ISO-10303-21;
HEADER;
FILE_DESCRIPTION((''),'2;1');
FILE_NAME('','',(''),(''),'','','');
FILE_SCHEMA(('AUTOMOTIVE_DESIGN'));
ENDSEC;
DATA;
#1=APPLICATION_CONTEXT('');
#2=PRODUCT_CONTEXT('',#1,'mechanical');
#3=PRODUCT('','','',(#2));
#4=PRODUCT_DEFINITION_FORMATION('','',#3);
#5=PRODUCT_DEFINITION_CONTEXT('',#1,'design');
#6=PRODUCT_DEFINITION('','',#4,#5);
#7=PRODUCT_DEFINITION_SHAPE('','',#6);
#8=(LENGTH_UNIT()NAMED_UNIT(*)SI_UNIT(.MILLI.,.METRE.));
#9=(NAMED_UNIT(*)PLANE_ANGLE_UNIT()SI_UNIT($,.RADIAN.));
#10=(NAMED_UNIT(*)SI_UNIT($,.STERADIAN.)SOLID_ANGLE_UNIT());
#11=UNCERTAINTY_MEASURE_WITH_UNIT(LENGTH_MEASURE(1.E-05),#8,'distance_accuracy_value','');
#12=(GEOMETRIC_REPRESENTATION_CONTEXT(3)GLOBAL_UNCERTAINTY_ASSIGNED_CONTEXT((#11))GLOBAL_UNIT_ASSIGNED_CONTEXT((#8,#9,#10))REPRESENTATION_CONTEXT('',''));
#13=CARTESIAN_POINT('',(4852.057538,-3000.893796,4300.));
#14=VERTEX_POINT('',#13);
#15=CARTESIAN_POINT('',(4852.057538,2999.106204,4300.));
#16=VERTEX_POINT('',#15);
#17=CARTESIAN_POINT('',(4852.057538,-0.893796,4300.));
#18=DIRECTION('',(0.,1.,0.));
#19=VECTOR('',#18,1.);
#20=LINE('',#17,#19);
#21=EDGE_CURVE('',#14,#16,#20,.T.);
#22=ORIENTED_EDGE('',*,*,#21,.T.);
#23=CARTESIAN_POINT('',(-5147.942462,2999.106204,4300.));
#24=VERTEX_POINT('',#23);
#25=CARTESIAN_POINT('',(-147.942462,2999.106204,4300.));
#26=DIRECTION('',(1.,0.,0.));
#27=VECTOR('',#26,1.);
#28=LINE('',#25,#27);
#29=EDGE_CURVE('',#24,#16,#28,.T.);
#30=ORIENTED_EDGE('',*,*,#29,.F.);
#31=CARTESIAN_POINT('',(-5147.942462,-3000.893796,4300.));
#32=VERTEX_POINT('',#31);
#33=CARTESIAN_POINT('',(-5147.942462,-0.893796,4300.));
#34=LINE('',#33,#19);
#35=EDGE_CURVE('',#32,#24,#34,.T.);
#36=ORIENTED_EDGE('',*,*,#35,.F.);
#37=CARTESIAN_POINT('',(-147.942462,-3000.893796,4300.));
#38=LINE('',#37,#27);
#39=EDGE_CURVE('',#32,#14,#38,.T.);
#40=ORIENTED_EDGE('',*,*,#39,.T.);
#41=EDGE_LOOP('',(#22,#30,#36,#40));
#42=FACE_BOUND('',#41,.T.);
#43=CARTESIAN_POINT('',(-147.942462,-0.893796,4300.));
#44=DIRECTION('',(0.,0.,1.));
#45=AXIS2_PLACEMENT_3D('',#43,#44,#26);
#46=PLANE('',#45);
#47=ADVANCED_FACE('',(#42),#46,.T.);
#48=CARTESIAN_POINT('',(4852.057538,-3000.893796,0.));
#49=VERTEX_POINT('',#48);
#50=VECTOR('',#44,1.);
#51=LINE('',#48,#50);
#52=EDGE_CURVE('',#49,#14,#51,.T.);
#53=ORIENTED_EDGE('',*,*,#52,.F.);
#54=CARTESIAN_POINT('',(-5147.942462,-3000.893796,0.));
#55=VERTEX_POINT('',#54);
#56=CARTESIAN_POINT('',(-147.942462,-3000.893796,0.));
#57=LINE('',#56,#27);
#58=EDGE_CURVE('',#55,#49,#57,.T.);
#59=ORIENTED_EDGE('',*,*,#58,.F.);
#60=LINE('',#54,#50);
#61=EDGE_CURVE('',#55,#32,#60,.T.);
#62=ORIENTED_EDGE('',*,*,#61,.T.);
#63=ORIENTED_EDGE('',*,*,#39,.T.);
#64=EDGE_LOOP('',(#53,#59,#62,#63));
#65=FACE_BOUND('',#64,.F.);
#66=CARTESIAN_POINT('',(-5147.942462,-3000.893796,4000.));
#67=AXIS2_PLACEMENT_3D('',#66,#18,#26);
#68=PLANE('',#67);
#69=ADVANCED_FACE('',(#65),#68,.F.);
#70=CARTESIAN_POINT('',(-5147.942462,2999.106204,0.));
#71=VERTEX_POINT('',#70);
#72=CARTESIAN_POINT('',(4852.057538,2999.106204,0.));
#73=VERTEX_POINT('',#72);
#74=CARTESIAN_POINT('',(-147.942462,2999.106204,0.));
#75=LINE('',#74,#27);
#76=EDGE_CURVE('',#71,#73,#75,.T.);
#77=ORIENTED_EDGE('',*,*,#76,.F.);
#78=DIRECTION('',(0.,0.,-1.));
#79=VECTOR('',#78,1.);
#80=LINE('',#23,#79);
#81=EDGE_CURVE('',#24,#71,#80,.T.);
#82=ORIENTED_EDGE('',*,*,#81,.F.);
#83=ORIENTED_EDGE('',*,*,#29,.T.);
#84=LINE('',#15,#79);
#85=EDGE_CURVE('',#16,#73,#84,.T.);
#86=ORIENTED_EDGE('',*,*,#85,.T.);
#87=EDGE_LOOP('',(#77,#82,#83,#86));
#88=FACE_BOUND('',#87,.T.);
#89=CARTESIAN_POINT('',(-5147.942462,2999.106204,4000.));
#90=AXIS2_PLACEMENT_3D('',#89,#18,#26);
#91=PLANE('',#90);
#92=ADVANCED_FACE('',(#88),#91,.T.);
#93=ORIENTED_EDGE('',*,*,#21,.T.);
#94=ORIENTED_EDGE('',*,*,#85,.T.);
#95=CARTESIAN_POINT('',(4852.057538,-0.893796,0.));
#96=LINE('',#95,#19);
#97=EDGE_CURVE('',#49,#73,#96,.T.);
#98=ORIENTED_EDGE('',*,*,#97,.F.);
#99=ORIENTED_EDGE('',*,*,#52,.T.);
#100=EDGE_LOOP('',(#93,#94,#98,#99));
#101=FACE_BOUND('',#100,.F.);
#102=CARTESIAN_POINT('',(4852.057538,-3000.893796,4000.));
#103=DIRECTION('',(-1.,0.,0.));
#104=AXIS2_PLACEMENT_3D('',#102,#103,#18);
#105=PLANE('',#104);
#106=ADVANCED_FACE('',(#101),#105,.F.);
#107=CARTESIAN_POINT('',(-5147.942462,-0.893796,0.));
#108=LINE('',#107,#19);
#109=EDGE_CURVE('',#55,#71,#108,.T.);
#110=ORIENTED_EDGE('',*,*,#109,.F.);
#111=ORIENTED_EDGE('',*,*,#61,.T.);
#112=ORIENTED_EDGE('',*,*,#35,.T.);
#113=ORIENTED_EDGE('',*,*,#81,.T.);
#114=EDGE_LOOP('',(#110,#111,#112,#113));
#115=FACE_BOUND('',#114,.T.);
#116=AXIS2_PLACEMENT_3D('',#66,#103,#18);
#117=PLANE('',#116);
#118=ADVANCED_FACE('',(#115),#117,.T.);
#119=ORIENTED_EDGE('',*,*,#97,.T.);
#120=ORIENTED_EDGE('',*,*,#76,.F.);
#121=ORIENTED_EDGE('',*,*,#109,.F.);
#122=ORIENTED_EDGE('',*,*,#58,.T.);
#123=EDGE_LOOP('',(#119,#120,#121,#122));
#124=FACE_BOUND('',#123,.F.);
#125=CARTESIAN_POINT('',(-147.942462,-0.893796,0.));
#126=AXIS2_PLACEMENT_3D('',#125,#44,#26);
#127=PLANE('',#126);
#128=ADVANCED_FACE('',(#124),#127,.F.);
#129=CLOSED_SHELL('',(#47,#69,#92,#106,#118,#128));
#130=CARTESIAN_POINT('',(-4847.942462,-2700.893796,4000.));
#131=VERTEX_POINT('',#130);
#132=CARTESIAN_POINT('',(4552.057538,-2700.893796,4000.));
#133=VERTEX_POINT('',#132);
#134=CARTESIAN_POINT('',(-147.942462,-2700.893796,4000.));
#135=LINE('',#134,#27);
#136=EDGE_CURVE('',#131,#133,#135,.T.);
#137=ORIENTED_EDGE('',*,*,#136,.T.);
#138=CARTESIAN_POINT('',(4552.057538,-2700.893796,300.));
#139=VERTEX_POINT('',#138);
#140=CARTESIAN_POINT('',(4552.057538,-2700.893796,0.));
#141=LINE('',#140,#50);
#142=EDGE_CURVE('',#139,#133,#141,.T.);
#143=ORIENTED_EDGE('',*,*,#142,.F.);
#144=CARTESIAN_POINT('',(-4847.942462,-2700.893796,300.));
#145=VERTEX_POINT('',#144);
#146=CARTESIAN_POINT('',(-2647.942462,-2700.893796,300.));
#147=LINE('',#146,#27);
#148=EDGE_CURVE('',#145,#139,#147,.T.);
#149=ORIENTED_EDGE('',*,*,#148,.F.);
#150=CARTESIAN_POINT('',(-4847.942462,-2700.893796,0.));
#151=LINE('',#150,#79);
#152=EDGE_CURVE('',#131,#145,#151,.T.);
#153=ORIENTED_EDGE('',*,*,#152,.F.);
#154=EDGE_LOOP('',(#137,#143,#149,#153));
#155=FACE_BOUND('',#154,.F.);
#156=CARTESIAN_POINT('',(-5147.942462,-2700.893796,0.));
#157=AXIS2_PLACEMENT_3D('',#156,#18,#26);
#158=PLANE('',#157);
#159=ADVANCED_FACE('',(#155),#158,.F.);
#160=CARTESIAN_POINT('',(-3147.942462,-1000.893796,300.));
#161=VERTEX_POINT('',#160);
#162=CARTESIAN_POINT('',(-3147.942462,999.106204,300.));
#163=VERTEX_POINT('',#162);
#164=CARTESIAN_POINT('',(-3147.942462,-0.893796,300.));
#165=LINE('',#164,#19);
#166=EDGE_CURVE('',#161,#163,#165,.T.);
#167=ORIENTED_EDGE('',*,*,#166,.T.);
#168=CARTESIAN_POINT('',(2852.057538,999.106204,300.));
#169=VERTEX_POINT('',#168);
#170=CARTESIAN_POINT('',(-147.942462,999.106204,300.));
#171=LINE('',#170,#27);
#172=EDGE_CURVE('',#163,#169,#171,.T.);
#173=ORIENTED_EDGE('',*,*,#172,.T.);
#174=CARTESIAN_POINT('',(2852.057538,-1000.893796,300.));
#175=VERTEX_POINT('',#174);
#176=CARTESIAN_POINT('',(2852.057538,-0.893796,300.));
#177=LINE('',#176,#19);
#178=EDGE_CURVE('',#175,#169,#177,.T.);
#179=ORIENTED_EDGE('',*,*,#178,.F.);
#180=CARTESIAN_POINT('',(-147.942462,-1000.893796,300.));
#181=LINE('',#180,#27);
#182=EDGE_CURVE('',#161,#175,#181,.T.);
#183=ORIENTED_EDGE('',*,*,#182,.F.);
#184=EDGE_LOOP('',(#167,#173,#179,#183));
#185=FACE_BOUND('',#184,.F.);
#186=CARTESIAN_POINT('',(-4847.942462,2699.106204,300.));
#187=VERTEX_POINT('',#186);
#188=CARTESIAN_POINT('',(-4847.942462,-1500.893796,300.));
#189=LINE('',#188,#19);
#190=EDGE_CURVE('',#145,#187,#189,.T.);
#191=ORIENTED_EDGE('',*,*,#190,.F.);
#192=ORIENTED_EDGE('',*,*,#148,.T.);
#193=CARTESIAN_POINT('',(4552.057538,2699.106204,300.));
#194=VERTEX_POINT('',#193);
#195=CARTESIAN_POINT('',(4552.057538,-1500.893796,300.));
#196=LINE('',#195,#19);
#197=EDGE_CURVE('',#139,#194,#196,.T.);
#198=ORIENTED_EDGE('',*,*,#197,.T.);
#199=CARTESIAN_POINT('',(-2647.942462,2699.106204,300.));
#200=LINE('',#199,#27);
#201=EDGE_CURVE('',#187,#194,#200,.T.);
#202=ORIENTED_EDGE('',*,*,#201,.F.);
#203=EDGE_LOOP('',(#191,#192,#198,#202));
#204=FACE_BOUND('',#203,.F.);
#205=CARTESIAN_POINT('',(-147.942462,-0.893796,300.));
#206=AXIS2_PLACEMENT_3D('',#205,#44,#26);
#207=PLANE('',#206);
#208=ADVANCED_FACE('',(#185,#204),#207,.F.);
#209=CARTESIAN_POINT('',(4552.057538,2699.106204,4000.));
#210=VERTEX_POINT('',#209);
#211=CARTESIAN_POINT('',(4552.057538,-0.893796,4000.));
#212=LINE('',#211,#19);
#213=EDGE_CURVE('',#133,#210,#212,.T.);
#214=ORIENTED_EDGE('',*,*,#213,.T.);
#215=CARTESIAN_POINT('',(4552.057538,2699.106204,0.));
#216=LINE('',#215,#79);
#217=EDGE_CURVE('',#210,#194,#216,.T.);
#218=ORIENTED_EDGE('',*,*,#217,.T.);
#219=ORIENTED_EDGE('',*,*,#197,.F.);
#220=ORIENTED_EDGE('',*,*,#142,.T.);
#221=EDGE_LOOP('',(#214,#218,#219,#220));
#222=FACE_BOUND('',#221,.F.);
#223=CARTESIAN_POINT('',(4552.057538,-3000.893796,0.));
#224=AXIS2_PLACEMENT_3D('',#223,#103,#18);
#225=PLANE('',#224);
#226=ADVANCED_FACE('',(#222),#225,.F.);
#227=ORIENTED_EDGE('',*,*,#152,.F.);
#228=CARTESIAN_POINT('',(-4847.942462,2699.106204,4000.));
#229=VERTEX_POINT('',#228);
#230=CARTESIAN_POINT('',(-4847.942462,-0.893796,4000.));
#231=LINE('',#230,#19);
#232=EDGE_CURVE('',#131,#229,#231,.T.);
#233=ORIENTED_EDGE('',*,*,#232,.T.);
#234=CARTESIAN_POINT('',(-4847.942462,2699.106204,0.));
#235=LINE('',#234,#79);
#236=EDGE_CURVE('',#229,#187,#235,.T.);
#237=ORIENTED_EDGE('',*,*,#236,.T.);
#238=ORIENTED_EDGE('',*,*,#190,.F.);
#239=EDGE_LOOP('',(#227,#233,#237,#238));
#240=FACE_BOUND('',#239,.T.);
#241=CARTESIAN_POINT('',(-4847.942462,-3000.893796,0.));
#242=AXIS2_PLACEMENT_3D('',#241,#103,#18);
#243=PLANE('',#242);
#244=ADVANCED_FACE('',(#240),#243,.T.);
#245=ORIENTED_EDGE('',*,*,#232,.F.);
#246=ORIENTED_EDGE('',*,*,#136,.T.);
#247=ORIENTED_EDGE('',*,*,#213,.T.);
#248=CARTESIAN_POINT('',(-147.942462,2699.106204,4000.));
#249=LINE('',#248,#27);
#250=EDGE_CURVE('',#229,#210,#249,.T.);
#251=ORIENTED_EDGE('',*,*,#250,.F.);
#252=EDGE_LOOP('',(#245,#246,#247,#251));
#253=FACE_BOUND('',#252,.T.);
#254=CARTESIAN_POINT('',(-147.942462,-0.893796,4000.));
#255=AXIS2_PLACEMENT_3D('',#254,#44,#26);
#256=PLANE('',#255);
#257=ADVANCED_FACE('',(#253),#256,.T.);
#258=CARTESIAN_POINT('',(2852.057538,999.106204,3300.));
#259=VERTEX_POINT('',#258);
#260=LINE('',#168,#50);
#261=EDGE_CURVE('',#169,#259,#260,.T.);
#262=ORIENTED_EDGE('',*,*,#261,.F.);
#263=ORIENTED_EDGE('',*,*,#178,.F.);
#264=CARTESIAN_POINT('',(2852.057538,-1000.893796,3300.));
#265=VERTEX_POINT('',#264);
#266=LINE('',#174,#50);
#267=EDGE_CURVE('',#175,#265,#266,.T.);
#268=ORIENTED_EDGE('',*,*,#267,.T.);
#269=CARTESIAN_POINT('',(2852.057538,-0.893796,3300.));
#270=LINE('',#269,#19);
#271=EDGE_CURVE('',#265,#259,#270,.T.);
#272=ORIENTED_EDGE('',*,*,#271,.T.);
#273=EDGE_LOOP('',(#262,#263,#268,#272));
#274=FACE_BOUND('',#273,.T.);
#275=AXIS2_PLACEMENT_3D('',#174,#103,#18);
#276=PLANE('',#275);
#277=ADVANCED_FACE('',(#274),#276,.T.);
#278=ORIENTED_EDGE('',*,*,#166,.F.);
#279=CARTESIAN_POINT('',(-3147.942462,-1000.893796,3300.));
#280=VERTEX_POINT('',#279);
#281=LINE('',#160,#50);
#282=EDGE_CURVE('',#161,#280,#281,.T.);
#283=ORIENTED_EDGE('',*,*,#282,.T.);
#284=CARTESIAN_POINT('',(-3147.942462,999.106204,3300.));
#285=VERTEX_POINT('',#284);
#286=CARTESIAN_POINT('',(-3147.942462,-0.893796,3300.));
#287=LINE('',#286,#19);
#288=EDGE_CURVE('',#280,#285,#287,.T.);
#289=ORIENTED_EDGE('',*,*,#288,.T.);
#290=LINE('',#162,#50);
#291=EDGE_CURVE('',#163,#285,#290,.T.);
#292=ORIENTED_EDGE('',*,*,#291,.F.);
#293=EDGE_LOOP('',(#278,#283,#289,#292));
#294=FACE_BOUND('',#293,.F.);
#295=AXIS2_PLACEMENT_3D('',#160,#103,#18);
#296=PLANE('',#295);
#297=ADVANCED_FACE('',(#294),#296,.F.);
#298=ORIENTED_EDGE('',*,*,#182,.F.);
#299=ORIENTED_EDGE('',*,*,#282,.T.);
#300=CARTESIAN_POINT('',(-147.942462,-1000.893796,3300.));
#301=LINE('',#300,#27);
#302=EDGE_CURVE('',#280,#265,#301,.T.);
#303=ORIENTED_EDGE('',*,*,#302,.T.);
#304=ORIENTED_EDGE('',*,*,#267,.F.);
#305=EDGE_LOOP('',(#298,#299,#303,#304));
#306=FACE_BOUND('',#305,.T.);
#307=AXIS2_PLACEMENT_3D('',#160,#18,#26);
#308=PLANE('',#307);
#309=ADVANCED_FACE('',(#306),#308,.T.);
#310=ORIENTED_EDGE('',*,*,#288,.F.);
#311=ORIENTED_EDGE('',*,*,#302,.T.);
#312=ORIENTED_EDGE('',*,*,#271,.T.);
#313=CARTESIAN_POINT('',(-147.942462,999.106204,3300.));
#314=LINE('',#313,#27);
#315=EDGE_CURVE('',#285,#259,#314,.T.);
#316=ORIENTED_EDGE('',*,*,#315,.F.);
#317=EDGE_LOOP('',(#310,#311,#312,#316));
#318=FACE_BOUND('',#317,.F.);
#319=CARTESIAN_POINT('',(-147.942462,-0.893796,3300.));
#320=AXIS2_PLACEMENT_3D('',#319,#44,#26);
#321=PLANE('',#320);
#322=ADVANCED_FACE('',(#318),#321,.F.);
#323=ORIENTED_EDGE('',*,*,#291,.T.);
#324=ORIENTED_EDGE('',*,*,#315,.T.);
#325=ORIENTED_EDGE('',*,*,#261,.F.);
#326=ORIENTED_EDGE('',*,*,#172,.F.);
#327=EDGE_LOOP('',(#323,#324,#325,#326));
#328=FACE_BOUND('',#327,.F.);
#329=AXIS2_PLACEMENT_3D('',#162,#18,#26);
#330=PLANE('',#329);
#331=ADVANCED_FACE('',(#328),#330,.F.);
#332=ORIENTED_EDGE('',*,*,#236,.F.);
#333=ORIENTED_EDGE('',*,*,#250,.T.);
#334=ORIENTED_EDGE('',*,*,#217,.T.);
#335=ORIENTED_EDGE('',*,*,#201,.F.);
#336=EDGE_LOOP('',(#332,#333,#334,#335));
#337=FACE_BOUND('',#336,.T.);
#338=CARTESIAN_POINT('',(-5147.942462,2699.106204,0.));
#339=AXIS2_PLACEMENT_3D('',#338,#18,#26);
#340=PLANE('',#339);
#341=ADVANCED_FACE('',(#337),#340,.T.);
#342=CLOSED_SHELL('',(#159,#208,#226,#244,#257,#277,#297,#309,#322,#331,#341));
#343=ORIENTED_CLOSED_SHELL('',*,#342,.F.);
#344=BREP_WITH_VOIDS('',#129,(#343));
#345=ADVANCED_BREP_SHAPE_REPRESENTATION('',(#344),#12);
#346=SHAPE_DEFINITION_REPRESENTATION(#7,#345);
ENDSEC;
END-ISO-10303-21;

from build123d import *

# Parameters (mm, degrees)
F0_W     = 10000
F0_H     = 6000
F1_DEPTH = 4000
F2_T     = -300
F3_W     = 6000
F3_H     = 2000
F4_DEPTH = 3000
F5_W     = 10000
F5_H     = 6000
F5_W_2   = 9400
F5_H_2   = 5400
F6_DEPTH = 300


with BuildPart() as f1:
    # F0 (on Top) → F1 (new body)
    with BuildSketch(Plane.XY):
        with Locations((-147.9424615742, -0.8937958628)):
            Rectangle(F0_W, F0_H)
    extrude(amount=F1_DEPTH)

    # F2
    f2_openings = [f1.faces().sort_by_distance(p)[0] for p in [
        (-147.942462, -0.893796, 4000),
    ]]
    offset(amount=F2_T, openings=f2_openings)

    # F3 (on face) → F4 (join)
    with BuildSketch(Plane.XY.offset(300)):
        with Locations((-147.9424615742, -0.8937958628)):
            Rectangle(F3_W, F3_H)
    extrude(amount=F4_DEPTH)

    # F5 (on face) → F6 (join)
    with BuildSketch(Plane.XY.offset(4000)):
        with Locations((-147.9424615742, -0.8937958628)):
            Rectangle(F5_W, F5_H)
        with Locations((-147.9424615742, -0.8937958628)):
            Rectangle(F5_W_2, F5_H_2, mode=Mode.SUBTRACT)
        with Locations((-147.9424615742, -0.8937958628)):
            Rectangle(F5_W_2, F5_H_2)
    extrude(amount=F6_DEPTH)


solid = f1.part
